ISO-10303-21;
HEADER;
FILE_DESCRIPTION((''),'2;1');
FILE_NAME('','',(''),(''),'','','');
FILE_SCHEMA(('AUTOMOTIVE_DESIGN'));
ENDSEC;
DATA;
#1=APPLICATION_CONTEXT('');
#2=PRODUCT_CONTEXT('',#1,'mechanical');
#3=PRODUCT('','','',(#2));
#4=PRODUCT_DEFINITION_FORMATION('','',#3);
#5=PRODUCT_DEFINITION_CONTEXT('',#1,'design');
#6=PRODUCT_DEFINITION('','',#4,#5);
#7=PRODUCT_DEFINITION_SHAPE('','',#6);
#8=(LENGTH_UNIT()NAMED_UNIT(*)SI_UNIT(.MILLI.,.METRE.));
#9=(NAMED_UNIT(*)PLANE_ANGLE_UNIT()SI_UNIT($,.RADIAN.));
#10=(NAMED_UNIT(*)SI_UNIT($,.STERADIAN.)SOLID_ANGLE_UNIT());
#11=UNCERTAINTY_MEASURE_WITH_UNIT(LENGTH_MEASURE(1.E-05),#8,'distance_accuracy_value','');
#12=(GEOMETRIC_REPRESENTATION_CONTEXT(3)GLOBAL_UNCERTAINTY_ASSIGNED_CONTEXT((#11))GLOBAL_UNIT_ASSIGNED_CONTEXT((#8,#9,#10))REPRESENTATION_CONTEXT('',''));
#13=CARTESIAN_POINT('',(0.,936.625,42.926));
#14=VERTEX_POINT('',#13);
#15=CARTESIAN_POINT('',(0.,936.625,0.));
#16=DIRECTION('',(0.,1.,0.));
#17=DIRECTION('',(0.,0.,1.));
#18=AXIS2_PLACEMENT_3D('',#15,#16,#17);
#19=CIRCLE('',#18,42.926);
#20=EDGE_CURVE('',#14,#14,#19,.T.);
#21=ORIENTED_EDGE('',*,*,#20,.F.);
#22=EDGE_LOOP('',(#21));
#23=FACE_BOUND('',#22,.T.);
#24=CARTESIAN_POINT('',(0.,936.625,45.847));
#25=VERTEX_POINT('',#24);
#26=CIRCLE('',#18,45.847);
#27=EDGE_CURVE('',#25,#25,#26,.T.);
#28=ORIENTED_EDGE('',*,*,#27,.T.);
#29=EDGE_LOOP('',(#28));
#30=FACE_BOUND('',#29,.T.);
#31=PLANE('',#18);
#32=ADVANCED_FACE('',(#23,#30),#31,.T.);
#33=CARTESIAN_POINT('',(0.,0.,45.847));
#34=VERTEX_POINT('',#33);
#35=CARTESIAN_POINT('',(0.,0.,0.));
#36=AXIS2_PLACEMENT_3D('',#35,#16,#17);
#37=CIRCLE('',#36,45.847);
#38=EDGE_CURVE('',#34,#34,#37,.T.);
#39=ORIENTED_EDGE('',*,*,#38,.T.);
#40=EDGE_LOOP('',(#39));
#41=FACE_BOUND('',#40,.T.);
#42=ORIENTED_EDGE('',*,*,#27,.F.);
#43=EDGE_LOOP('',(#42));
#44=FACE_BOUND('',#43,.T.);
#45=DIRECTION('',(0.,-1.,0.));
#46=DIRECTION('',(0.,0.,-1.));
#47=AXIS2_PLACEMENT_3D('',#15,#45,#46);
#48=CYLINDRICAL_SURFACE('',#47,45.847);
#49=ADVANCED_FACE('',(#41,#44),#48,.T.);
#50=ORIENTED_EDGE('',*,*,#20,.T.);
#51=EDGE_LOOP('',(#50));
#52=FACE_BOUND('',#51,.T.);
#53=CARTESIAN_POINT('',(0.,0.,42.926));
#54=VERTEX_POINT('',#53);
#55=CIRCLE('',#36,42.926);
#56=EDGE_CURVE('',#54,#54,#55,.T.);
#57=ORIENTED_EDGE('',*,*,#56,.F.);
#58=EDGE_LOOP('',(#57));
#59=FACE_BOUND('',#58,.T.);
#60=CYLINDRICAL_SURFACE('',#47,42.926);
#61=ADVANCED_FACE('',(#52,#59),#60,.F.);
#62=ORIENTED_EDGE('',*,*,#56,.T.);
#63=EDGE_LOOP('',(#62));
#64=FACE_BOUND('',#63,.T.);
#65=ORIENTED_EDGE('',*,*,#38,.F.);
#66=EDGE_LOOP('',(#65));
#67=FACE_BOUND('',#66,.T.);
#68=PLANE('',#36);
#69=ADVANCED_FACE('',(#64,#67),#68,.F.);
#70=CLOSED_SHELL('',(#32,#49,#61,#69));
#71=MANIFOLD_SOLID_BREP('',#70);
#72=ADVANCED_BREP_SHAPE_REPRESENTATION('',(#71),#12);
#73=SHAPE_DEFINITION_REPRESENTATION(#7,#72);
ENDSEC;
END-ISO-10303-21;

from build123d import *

# Parameters (mm, degrees)
SKETCH1_R      = 45.847
SKETCH1_R_2    = 42.926
EXTRUDE1_DEPTH = 936.625


with BuildPart() as part:
    # Sketch1 → Extrude1 (new body)
    with BuildSketch(Plane(origin=(0, 0, 0), x_dir=(1, 0, 0), z_dir=(0, 1, 0))):
        Circle(SKETCH1_R)
        Circle(SKETCH1_R_2, mode=Mode.SUBTRACT)
    extrude(amount=EXTRUDE1_DEPTH)


solid = part.part
